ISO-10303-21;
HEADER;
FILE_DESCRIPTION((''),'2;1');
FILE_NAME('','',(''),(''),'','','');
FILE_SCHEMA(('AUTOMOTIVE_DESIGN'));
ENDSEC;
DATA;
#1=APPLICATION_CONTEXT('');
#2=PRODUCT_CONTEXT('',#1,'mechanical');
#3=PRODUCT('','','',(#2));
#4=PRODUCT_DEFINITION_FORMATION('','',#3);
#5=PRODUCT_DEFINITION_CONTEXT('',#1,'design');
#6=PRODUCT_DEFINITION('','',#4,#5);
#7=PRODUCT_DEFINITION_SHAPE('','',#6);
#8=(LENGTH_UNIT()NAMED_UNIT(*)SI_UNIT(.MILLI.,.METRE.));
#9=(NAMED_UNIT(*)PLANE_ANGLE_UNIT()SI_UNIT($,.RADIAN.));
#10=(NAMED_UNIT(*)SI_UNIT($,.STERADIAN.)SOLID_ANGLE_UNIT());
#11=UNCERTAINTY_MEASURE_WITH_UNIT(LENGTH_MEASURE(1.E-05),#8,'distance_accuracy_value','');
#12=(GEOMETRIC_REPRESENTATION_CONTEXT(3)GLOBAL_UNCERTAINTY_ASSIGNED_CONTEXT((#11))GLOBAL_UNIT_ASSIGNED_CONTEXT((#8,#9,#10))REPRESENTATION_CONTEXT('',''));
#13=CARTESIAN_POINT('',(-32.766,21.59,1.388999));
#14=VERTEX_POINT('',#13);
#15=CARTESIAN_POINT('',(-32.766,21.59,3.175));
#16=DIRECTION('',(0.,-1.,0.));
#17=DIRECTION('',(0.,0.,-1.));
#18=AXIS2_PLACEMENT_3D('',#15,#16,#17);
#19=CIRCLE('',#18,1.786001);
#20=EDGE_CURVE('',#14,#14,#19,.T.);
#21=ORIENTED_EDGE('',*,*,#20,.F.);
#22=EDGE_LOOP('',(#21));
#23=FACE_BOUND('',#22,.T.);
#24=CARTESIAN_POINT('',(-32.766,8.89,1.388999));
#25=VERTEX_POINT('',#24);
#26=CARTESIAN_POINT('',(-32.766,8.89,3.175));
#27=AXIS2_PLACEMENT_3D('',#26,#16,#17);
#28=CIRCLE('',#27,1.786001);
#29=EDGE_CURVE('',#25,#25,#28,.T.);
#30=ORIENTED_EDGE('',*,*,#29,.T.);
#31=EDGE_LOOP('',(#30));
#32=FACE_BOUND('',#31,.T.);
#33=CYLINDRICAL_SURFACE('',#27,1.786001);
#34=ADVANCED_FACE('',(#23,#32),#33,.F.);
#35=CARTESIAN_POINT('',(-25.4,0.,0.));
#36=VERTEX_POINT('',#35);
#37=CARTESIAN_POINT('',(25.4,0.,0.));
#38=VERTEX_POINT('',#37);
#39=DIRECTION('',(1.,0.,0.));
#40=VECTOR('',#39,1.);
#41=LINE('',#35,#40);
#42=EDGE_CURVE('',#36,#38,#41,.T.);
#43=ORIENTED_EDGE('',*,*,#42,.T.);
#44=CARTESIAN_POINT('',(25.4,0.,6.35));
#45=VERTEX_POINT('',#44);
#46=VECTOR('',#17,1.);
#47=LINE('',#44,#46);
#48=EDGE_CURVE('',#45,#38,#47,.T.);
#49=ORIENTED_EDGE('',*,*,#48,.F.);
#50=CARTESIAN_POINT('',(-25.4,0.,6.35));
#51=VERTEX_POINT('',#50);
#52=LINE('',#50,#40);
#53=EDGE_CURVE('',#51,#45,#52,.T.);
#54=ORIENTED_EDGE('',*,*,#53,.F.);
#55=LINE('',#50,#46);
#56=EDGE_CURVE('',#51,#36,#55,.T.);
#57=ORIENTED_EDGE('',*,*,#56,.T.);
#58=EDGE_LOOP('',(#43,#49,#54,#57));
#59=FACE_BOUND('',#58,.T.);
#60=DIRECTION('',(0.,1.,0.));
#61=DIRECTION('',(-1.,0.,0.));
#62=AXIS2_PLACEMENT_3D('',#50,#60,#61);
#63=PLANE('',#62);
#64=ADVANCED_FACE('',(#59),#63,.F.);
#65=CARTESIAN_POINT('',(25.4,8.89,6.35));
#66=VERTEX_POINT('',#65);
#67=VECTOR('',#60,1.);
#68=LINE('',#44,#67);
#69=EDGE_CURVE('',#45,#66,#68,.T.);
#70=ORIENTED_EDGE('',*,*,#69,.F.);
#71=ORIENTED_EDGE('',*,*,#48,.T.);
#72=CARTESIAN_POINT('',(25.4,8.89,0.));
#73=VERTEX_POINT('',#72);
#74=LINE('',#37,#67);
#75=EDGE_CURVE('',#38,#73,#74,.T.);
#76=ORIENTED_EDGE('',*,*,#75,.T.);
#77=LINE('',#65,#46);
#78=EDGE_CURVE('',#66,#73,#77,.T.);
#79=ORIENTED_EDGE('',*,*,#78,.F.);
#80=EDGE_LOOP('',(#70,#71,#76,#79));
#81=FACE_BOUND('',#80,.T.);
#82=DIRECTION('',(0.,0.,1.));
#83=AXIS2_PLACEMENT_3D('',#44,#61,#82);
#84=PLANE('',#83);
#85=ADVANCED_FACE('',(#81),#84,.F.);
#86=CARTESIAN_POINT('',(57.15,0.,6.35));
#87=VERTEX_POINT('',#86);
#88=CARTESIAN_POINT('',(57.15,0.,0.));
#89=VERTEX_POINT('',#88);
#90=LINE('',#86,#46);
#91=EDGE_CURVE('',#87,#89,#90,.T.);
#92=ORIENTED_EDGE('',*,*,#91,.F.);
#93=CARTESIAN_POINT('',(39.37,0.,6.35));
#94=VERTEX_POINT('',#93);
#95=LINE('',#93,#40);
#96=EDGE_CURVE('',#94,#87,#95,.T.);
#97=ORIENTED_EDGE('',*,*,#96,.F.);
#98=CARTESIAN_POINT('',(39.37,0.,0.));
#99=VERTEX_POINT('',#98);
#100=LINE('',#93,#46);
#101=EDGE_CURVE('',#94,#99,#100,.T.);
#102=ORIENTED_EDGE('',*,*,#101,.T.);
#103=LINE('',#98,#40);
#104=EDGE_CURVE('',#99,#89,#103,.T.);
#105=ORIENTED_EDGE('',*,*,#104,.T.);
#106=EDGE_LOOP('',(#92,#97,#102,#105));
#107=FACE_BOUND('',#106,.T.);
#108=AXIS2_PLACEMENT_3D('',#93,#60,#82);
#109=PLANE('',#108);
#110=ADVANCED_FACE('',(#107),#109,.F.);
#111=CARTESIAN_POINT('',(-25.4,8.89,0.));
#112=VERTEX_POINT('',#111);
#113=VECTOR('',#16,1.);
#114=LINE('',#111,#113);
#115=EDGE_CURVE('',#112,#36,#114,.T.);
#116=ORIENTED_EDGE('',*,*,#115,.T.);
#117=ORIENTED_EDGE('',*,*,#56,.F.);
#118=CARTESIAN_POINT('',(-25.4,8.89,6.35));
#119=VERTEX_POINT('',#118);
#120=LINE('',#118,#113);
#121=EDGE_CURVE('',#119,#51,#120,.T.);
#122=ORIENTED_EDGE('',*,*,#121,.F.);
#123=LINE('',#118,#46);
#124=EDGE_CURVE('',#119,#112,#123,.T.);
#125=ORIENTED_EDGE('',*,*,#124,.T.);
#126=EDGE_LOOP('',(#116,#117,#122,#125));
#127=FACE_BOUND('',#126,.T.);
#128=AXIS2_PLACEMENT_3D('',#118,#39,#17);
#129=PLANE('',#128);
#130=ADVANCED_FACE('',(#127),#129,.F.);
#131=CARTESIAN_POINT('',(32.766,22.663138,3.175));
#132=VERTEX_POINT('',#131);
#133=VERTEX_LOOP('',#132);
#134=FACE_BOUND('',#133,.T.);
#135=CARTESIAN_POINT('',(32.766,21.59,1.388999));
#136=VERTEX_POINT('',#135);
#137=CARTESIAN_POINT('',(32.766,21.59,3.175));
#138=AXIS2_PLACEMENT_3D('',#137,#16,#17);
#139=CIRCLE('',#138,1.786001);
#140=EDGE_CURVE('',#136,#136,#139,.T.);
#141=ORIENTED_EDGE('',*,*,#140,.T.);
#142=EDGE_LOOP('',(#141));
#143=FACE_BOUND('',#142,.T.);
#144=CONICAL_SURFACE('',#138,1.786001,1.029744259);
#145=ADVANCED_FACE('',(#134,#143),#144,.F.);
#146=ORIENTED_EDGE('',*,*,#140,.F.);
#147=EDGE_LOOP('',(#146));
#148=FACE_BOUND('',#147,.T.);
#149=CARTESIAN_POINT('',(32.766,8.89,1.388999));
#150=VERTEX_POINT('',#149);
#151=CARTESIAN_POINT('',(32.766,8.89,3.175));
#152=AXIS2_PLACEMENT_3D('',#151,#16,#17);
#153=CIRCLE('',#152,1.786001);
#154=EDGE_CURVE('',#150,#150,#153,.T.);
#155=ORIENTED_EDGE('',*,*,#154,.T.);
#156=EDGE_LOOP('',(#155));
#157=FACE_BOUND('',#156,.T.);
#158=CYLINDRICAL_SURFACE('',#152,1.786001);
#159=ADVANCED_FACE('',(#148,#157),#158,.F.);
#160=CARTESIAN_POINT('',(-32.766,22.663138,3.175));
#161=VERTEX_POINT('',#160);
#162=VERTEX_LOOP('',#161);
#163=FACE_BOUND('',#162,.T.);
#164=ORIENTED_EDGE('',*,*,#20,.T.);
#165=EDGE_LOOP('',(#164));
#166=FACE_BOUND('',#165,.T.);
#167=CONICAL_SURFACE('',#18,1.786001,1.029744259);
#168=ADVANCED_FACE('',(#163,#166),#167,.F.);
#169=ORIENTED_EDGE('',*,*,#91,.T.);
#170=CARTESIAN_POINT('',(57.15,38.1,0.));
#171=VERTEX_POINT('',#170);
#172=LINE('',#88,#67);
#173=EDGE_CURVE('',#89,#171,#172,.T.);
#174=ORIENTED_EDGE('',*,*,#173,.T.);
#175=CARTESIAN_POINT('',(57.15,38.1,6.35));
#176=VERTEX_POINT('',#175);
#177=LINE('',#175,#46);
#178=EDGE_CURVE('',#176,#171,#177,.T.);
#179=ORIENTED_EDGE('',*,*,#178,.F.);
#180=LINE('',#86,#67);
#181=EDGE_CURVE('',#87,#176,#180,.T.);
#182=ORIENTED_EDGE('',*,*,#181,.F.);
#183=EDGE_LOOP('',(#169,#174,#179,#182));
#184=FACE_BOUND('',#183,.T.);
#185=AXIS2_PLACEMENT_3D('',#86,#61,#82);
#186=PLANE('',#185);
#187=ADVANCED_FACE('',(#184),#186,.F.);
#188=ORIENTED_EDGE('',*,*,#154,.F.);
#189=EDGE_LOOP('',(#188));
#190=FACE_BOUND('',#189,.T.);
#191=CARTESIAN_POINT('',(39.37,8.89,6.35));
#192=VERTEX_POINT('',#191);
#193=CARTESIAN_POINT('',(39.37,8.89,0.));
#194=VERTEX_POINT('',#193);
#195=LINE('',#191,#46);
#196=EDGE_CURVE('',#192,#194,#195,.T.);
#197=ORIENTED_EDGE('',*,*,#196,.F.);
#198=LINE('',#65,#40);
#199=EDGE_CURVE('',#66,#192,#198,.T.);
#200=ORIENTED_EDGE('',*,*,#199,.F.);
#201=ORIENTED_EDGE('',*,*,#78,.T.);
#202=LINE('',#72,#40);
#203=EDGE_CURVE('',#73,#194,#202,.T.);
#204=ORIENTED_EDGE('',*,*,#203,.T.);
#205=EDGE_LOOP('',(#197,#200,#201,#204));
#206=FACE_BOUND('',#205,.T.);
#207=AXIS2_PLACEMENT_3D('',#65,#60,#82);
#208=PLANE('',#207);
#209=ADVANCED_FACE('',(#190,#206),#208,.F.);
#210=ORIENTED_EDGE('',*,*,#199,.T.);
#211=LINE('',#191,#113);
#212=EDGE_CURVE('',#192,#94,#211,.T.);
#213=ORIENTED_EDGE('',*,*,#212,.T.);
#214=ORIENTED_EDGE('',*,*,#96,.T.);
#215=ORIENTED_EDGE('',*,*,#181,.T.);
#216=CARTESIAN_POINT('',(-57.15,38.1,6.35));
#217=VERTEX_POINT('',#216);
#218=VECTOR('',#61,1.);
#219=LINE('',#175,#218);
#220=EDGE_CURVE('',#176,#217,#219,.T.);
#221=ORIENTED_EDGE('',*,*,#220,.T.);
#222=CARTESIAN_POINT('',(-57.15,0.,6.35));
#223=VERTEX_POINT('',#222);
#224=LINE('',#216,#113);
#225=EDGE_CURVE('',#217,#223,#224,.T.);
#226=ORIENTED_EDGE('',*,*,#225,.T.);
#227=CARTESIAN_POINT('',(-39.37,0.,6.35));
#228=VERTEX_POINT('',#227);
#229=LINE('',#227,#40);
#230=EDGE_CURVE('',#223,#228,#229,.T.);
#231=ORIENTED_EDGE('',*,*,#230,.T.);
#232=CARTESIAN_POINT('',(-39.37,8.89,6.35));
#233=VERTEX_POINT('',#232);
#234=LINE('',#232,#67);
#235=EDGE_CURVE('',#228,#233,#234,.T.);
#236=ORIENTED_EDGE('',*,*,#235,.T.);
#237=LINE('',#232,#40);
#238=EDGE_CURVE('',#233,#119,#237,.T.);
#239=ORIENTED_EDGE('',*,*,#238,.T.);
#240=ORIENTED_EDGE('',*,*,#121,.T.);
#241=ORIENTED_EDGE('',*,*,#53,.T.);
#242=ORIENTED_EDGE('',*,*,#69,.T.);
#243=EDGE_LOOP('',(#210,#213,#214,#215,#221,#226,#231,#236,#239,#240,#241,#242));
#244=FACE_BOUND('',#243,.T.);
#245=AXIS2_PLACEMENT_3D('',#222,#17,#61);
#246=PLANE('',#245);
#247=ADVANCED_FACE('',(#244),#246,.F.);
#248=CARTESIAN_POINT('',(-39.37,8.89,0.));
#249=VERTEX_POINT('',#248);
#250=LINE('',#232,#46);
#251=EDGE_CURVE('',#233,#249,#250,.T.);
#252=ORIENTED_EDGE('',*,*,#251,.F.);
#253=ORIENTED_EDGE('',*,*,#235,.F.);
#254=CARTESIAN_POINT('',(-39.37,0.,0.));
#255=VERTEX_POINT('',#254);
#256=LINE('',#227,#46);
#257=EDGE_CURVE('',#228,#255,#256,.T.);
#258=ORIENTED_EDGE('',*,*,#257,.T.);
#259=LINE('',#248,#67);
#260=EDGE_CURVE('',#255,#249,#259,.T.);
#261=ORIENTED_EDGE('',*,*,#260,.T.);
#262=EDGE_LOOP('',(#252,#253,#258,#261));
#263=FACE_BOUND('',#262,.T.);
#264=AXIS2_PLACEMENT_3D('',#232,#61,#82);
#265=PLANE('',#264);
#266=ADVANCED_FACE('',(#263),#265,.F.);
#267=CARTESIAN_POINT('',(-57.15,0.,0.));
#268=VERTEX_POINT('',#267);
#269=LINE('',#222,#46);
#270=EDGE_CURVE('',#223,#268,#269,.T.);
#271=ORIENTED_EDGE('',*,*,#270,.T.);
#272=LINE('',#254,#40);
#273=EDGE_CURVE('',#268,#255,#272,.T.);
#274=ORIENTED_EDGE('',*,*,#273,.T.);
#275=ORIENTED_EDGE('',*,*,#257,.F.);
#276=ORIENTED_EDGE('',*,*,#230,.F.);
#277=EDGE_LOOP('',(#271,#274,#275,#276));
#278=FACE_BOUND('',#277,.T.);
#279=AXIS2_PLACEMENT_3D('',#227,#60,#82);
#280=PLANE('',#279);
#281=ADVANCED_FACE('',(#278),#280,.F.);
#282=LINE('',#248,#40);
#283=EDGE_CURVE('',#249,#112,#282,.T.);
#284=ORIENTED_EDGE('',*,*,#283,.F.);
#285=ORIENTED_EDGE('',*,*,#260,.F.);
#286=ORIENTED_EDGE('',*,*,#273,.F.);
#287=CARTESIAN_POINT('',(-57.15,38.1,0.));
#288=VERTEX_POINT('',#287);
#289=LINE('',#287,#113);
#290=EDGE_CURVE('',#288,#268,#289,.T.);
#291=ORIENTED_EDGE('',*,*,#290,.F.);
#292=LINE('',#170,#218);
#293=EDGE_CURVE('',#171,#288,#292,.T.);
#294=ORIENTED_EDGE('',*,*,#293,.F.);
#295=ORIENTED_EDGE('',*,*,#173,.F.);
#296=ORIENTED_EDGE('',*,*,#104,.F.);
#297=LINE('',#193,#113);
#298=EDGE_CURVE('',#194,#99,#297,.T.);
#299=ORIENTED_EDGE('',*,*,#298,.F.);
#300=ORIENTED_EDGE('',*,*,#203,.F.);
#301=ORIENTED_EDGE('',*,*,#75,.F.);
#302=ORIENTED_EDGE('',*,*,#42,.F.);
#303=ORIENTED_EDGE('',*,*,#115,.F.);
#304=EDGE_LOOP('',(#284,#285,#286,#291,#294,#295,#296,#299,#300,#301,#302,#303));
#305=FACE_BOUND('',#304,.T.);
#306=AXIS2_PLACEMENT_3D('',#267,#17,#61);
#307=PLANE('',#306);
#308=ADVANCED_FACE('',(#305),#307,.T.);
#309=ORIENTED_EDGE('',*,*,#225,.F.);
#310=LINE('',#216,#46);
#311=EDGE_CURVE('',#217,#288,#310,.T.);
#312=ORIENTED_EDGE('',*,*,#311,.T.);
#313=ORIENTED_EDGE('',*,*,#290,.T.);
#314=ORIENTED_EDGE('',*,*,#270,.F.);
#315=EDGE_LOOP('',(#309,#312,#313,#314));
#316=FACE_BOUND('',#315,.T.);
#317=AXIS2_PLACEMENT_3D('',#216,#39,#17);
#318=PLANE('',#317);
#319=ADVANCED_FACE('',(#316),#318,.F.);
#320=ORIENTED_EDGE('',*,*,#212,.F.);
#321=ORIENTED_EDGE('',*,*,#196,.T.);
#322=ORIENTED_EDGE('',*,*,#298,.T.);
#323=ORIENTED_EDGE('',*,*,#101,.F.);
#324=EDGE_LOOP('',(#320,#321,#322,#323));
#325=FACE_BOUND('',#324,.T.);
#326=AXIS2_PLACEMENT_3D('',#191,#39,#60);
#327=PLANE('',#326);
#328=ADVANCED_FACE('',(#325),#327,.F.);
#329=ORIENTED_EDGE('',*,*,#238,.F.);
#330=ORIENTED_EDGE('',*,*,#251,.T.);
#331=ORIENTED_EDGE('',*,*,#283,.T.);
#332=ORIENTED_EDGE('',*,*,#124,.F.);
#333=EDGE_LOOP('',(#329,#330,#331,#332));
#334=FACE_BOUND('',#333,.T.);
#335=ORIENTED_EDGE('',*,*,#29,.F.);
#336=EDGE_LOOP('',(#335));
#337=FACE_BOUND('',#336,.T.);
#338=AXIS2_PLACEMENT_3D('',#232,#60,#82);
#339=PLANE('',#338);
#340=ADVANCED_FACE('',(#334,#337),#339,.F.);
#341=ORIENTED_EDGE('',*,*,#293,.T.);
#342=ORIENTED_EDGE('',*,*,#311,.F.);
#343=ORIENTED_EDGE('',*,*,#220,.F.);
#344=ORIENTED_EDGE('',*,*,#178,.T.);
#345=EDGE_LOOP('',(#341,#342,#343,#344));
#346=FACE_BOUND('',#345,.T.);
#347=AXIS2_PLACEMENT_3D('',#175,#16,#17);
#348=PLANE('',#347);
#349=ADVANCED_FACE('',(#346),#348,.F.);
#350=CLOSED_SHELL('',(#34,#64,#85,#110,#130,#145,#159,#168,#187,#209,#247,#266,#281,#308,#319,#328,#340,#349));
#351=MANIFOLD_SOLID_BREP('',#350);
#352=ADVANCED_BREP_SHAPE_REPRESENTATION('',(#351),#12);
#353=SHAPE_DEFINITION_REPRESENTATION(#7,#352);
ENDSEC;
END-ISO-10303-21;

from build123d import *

# Parameters (mm, degrees)
BOSS_EXTRUDE1_DEPTH                 = 6.35
F_9_64_0_14063_DIAMETER_HOLE1_D     = 3.572002
F_9_64_0_14063_DIAMETER_HOLE1_DEPTH = 12.7
F_9_64_0_14063_DIAMETER_HOLE1_TIP   = 1.073137666


with BuildPart() as part:
    # Sketch1 → Boss-Extrude1 (new body)
    with BuildSketch(Plane.XY):
        Polygon((-39.37, 8.89), (-39.37, 0), (-57.15, 0), (-57.15, 38.1), (57.15, 38.1), (57.15, 0), (39.37, 0), (39.37, 8.89), (25.4, 8.89), (25.4, 0), (-25.4, 0), (-25.4, 8.89), align=None)
    extrude(amount=BOSS_EXTRUDE1_DEPTH)

    # 9/64 (0.14063) Diameter Hole1
    with Locations(Plane.XZ.offset(-8.89)):
        with Locations((-32.766, 3.175), (32.766, 3.175)):
            Hole(F_9_64_0_14063_DIAMETER_HOLE1_D / 2, depth=F_9_64_0_14063_DIAMETER_HOLE1_DEPTH)
            with Locations((0, 0, -(F_9_64_0_14063_DIAMETER_HOLE1_DEPTH + F_9_64_0_14063_DIAMETER_HOLE1_TIP / 2))):  # 118° drill point
                Cone(0, F_9_64_0_14063_DIAMETER_HOLE1_D / 2, F_9_64_0_14063_DIAMETER_HOLE1_TIP, mode=Mode.SUBTRACT)


solid = part.part
